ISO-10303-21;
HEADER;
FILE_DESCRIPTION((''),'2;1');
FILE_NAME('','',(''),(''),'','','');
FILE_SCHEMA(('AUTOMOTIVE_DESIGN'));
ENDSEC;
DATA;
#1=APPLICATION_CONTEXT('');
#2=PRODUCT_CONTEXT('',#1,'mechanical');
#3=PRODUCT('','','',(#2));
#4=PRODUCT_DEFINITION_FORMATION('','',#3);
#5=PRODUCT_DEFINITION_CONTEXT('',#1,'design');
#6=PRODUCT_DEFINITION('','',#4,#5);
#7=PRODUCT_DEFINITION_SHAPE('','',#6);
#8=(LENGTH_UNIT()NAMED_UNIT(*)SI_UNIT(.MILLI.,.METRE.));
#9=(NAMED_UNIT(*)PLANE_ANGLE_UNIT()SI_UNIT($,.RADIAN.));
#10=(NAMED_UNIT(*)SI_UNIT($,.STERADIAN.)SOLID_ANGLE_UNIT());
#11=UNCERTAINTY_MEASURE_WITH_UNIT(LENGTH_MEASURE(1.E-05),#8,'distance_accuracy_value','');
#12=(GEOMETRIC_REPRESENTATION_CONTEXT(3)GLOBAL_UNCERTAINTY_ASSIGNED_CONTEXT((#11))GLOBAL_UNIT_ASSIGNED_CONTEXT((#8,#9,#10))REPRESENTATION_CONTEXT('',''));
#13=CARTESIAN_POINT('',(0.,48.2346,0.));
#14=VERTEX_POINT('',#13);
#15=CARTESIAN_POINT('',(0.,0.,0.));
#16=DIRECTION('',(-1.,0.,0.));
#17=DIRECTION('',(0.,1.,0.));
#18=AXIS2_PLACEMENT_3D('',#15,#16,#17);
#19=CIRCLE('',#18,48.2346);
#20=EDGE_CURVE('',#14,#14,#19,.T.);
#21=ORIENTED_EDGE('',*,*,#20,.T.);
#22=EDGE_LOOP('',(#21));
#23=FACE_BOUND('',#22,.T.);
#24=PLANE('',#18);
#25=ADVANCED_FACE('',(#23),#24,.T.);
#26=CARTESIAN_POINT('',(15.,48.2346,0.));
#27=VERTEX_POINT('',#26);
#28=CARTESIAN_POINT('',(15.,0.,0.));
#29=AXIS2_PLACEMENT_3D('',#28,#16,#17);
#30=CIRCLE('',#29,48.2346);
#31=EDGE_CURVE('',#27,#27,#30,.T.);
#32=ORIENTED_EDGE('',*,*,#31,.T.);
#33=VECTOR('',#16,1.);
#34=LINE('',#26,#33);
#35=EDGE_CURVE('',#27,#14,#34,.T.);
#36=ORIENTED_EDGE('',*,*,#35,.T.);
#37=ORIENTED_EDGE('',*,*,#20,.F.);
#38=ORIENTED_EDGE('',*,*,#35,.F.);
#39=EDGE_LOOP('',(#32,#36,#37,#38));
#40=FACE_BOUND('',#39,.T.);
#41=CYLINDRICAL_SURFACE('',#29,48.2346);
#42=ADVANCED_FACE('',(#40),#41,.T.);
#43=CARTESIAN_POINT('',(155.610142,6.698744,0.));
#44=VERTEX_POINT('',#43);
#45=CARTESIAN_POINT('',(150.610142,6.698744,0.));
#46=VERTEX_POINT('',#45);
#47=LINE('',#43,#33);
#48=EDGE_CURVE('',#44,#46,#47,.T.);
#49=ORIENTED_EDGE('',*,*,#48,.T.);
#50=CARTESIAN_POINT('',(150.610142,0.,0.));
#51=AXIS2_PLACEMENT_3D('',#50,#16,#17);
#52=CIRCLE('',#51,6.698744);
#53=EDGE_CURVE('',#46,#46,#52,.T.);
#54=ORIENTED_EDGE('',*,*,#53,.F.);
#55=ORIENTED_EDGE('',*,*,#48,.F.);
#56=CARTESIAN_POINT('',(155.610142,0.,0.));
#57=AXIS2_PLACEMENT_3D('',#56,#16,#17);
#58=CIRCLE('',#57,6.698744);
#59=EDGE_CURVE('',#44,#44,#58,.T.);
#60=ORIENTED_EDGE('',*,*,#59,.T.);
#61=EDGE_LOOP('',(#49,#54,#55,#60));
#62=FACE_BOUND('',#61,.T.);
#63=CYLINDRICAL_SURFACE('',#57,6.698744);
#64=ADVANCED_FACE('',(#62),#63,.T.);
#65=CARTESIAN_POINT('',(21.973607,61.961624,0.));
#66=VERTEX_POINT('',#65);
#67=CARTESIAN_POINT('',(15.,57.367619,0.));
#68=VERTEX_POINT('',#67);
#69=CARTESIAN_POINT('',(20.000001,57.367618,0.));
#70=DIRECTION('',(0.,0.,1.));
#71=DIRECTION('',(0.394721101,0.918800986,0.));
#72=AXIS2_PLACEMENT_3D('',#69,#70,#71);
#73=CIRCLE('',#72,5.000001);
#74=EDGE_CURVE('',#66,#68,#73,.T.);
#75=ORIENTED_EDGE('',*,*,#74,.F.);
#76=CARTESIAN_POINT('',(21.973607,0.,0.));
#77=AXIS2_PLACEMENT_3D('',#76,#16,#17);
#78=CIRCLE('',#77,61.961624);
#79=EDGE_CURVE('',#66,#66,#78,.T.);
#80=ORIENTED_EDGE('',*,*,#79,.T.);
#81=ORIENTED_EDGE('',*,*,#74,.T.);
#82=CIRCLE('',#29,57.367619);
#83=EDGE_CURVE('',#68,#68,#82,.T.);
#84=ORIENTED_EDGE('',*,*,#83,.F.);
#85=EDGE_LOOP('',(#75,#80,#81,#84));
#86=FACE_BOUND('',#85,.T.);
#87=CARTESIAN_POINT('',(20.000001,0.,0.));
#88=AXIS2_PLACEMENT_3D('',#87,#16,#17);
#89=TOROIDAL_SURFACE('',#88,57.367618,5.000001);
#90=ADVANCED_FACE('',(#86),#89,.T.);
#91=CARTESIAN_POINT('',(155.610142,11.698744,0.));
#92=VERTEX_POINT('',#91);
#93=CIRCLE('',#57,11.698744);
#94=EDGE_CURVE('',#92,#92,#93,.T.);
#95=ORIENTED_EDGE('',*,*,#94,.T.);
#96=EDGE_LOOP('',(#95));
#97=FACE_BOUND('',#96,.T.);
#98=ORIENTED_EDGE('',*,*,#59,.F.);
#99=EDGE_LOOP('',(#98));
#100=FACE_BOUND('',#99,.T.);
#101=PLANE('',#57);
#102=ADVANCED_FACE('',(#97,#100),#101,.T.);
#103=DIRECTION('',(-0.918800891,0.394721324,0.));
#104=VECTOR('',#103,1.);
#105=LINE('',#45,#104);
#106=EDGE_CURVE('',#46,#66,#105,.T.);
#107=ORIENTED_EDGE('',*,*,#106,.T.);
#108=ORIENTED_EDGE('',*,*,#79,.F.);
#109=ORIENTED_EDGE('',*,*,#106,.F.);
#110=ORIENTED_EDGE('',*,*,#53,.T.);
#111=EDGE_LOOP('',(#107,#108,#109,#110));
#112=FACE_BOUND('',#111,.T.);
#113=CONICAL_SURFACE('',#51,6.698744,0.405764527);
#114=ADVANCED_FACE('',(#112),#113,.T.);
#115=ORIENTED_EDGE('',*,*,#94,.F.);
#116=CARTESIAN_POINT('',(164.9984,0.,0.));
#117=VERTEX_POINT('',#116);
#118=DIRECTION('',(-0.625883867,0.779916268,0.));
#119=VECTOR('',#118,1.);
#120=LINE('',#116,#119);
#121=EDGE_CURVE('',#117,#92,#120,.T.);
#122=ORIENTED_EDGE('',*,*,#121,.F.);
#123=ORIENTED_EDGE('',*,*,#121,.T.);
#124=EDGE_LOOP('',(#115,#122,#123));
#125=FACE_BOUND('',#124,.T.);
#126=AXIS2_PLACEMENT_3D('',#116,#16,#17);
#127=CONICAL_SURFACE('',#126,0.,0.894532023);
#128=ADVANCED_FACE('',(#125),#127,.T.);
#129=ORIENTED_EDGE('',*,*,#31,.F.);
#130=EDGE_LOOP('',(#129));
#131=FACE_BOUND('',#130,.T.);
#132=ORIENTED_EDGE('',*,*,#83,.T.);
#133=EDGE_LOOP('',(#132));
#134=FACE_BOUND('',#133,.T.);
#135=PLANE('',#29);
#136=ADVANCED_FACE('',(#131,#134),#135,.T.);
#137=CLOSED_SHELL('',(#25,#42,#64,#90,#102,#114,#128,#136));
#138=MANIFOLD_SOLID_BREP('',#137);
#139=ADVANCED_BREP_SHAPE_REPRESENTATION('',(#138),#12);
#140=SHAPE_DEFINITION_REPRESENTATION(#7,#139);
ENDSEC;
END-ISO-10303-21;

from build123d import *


with BuildPart() as f1:
    # F0 (on Top) → F1 (revolve)
    with BuildSketch(Plane.XY):
        with BuildLine():
            Line((0, 48.2346), (0, 0))
            Line((0, 0), (164.9984, 0))
            Line((164.9984, 0), (155.610142, 11.698744))
            Line((155.610142, 11.698744), (155.610142, 6.698744))
            Line((155.610142, 6.698744), (150.610142, 6.698744))
            Line((150.610142, 6.698744), (21.973607, 61.961624))
            ThreePointArc((21.973607, 61.961624), (17.249367, 61.543025), (15, 57.367619))
            Line((15, 57.367619), (15, 48.2346))
            Line((15, 48.2346), (0, 48.2346))
        make_face()
    revolve(axis=Axis((-106.916326, 0, 0), (-1, 0, 0)))


solid = f1.part
